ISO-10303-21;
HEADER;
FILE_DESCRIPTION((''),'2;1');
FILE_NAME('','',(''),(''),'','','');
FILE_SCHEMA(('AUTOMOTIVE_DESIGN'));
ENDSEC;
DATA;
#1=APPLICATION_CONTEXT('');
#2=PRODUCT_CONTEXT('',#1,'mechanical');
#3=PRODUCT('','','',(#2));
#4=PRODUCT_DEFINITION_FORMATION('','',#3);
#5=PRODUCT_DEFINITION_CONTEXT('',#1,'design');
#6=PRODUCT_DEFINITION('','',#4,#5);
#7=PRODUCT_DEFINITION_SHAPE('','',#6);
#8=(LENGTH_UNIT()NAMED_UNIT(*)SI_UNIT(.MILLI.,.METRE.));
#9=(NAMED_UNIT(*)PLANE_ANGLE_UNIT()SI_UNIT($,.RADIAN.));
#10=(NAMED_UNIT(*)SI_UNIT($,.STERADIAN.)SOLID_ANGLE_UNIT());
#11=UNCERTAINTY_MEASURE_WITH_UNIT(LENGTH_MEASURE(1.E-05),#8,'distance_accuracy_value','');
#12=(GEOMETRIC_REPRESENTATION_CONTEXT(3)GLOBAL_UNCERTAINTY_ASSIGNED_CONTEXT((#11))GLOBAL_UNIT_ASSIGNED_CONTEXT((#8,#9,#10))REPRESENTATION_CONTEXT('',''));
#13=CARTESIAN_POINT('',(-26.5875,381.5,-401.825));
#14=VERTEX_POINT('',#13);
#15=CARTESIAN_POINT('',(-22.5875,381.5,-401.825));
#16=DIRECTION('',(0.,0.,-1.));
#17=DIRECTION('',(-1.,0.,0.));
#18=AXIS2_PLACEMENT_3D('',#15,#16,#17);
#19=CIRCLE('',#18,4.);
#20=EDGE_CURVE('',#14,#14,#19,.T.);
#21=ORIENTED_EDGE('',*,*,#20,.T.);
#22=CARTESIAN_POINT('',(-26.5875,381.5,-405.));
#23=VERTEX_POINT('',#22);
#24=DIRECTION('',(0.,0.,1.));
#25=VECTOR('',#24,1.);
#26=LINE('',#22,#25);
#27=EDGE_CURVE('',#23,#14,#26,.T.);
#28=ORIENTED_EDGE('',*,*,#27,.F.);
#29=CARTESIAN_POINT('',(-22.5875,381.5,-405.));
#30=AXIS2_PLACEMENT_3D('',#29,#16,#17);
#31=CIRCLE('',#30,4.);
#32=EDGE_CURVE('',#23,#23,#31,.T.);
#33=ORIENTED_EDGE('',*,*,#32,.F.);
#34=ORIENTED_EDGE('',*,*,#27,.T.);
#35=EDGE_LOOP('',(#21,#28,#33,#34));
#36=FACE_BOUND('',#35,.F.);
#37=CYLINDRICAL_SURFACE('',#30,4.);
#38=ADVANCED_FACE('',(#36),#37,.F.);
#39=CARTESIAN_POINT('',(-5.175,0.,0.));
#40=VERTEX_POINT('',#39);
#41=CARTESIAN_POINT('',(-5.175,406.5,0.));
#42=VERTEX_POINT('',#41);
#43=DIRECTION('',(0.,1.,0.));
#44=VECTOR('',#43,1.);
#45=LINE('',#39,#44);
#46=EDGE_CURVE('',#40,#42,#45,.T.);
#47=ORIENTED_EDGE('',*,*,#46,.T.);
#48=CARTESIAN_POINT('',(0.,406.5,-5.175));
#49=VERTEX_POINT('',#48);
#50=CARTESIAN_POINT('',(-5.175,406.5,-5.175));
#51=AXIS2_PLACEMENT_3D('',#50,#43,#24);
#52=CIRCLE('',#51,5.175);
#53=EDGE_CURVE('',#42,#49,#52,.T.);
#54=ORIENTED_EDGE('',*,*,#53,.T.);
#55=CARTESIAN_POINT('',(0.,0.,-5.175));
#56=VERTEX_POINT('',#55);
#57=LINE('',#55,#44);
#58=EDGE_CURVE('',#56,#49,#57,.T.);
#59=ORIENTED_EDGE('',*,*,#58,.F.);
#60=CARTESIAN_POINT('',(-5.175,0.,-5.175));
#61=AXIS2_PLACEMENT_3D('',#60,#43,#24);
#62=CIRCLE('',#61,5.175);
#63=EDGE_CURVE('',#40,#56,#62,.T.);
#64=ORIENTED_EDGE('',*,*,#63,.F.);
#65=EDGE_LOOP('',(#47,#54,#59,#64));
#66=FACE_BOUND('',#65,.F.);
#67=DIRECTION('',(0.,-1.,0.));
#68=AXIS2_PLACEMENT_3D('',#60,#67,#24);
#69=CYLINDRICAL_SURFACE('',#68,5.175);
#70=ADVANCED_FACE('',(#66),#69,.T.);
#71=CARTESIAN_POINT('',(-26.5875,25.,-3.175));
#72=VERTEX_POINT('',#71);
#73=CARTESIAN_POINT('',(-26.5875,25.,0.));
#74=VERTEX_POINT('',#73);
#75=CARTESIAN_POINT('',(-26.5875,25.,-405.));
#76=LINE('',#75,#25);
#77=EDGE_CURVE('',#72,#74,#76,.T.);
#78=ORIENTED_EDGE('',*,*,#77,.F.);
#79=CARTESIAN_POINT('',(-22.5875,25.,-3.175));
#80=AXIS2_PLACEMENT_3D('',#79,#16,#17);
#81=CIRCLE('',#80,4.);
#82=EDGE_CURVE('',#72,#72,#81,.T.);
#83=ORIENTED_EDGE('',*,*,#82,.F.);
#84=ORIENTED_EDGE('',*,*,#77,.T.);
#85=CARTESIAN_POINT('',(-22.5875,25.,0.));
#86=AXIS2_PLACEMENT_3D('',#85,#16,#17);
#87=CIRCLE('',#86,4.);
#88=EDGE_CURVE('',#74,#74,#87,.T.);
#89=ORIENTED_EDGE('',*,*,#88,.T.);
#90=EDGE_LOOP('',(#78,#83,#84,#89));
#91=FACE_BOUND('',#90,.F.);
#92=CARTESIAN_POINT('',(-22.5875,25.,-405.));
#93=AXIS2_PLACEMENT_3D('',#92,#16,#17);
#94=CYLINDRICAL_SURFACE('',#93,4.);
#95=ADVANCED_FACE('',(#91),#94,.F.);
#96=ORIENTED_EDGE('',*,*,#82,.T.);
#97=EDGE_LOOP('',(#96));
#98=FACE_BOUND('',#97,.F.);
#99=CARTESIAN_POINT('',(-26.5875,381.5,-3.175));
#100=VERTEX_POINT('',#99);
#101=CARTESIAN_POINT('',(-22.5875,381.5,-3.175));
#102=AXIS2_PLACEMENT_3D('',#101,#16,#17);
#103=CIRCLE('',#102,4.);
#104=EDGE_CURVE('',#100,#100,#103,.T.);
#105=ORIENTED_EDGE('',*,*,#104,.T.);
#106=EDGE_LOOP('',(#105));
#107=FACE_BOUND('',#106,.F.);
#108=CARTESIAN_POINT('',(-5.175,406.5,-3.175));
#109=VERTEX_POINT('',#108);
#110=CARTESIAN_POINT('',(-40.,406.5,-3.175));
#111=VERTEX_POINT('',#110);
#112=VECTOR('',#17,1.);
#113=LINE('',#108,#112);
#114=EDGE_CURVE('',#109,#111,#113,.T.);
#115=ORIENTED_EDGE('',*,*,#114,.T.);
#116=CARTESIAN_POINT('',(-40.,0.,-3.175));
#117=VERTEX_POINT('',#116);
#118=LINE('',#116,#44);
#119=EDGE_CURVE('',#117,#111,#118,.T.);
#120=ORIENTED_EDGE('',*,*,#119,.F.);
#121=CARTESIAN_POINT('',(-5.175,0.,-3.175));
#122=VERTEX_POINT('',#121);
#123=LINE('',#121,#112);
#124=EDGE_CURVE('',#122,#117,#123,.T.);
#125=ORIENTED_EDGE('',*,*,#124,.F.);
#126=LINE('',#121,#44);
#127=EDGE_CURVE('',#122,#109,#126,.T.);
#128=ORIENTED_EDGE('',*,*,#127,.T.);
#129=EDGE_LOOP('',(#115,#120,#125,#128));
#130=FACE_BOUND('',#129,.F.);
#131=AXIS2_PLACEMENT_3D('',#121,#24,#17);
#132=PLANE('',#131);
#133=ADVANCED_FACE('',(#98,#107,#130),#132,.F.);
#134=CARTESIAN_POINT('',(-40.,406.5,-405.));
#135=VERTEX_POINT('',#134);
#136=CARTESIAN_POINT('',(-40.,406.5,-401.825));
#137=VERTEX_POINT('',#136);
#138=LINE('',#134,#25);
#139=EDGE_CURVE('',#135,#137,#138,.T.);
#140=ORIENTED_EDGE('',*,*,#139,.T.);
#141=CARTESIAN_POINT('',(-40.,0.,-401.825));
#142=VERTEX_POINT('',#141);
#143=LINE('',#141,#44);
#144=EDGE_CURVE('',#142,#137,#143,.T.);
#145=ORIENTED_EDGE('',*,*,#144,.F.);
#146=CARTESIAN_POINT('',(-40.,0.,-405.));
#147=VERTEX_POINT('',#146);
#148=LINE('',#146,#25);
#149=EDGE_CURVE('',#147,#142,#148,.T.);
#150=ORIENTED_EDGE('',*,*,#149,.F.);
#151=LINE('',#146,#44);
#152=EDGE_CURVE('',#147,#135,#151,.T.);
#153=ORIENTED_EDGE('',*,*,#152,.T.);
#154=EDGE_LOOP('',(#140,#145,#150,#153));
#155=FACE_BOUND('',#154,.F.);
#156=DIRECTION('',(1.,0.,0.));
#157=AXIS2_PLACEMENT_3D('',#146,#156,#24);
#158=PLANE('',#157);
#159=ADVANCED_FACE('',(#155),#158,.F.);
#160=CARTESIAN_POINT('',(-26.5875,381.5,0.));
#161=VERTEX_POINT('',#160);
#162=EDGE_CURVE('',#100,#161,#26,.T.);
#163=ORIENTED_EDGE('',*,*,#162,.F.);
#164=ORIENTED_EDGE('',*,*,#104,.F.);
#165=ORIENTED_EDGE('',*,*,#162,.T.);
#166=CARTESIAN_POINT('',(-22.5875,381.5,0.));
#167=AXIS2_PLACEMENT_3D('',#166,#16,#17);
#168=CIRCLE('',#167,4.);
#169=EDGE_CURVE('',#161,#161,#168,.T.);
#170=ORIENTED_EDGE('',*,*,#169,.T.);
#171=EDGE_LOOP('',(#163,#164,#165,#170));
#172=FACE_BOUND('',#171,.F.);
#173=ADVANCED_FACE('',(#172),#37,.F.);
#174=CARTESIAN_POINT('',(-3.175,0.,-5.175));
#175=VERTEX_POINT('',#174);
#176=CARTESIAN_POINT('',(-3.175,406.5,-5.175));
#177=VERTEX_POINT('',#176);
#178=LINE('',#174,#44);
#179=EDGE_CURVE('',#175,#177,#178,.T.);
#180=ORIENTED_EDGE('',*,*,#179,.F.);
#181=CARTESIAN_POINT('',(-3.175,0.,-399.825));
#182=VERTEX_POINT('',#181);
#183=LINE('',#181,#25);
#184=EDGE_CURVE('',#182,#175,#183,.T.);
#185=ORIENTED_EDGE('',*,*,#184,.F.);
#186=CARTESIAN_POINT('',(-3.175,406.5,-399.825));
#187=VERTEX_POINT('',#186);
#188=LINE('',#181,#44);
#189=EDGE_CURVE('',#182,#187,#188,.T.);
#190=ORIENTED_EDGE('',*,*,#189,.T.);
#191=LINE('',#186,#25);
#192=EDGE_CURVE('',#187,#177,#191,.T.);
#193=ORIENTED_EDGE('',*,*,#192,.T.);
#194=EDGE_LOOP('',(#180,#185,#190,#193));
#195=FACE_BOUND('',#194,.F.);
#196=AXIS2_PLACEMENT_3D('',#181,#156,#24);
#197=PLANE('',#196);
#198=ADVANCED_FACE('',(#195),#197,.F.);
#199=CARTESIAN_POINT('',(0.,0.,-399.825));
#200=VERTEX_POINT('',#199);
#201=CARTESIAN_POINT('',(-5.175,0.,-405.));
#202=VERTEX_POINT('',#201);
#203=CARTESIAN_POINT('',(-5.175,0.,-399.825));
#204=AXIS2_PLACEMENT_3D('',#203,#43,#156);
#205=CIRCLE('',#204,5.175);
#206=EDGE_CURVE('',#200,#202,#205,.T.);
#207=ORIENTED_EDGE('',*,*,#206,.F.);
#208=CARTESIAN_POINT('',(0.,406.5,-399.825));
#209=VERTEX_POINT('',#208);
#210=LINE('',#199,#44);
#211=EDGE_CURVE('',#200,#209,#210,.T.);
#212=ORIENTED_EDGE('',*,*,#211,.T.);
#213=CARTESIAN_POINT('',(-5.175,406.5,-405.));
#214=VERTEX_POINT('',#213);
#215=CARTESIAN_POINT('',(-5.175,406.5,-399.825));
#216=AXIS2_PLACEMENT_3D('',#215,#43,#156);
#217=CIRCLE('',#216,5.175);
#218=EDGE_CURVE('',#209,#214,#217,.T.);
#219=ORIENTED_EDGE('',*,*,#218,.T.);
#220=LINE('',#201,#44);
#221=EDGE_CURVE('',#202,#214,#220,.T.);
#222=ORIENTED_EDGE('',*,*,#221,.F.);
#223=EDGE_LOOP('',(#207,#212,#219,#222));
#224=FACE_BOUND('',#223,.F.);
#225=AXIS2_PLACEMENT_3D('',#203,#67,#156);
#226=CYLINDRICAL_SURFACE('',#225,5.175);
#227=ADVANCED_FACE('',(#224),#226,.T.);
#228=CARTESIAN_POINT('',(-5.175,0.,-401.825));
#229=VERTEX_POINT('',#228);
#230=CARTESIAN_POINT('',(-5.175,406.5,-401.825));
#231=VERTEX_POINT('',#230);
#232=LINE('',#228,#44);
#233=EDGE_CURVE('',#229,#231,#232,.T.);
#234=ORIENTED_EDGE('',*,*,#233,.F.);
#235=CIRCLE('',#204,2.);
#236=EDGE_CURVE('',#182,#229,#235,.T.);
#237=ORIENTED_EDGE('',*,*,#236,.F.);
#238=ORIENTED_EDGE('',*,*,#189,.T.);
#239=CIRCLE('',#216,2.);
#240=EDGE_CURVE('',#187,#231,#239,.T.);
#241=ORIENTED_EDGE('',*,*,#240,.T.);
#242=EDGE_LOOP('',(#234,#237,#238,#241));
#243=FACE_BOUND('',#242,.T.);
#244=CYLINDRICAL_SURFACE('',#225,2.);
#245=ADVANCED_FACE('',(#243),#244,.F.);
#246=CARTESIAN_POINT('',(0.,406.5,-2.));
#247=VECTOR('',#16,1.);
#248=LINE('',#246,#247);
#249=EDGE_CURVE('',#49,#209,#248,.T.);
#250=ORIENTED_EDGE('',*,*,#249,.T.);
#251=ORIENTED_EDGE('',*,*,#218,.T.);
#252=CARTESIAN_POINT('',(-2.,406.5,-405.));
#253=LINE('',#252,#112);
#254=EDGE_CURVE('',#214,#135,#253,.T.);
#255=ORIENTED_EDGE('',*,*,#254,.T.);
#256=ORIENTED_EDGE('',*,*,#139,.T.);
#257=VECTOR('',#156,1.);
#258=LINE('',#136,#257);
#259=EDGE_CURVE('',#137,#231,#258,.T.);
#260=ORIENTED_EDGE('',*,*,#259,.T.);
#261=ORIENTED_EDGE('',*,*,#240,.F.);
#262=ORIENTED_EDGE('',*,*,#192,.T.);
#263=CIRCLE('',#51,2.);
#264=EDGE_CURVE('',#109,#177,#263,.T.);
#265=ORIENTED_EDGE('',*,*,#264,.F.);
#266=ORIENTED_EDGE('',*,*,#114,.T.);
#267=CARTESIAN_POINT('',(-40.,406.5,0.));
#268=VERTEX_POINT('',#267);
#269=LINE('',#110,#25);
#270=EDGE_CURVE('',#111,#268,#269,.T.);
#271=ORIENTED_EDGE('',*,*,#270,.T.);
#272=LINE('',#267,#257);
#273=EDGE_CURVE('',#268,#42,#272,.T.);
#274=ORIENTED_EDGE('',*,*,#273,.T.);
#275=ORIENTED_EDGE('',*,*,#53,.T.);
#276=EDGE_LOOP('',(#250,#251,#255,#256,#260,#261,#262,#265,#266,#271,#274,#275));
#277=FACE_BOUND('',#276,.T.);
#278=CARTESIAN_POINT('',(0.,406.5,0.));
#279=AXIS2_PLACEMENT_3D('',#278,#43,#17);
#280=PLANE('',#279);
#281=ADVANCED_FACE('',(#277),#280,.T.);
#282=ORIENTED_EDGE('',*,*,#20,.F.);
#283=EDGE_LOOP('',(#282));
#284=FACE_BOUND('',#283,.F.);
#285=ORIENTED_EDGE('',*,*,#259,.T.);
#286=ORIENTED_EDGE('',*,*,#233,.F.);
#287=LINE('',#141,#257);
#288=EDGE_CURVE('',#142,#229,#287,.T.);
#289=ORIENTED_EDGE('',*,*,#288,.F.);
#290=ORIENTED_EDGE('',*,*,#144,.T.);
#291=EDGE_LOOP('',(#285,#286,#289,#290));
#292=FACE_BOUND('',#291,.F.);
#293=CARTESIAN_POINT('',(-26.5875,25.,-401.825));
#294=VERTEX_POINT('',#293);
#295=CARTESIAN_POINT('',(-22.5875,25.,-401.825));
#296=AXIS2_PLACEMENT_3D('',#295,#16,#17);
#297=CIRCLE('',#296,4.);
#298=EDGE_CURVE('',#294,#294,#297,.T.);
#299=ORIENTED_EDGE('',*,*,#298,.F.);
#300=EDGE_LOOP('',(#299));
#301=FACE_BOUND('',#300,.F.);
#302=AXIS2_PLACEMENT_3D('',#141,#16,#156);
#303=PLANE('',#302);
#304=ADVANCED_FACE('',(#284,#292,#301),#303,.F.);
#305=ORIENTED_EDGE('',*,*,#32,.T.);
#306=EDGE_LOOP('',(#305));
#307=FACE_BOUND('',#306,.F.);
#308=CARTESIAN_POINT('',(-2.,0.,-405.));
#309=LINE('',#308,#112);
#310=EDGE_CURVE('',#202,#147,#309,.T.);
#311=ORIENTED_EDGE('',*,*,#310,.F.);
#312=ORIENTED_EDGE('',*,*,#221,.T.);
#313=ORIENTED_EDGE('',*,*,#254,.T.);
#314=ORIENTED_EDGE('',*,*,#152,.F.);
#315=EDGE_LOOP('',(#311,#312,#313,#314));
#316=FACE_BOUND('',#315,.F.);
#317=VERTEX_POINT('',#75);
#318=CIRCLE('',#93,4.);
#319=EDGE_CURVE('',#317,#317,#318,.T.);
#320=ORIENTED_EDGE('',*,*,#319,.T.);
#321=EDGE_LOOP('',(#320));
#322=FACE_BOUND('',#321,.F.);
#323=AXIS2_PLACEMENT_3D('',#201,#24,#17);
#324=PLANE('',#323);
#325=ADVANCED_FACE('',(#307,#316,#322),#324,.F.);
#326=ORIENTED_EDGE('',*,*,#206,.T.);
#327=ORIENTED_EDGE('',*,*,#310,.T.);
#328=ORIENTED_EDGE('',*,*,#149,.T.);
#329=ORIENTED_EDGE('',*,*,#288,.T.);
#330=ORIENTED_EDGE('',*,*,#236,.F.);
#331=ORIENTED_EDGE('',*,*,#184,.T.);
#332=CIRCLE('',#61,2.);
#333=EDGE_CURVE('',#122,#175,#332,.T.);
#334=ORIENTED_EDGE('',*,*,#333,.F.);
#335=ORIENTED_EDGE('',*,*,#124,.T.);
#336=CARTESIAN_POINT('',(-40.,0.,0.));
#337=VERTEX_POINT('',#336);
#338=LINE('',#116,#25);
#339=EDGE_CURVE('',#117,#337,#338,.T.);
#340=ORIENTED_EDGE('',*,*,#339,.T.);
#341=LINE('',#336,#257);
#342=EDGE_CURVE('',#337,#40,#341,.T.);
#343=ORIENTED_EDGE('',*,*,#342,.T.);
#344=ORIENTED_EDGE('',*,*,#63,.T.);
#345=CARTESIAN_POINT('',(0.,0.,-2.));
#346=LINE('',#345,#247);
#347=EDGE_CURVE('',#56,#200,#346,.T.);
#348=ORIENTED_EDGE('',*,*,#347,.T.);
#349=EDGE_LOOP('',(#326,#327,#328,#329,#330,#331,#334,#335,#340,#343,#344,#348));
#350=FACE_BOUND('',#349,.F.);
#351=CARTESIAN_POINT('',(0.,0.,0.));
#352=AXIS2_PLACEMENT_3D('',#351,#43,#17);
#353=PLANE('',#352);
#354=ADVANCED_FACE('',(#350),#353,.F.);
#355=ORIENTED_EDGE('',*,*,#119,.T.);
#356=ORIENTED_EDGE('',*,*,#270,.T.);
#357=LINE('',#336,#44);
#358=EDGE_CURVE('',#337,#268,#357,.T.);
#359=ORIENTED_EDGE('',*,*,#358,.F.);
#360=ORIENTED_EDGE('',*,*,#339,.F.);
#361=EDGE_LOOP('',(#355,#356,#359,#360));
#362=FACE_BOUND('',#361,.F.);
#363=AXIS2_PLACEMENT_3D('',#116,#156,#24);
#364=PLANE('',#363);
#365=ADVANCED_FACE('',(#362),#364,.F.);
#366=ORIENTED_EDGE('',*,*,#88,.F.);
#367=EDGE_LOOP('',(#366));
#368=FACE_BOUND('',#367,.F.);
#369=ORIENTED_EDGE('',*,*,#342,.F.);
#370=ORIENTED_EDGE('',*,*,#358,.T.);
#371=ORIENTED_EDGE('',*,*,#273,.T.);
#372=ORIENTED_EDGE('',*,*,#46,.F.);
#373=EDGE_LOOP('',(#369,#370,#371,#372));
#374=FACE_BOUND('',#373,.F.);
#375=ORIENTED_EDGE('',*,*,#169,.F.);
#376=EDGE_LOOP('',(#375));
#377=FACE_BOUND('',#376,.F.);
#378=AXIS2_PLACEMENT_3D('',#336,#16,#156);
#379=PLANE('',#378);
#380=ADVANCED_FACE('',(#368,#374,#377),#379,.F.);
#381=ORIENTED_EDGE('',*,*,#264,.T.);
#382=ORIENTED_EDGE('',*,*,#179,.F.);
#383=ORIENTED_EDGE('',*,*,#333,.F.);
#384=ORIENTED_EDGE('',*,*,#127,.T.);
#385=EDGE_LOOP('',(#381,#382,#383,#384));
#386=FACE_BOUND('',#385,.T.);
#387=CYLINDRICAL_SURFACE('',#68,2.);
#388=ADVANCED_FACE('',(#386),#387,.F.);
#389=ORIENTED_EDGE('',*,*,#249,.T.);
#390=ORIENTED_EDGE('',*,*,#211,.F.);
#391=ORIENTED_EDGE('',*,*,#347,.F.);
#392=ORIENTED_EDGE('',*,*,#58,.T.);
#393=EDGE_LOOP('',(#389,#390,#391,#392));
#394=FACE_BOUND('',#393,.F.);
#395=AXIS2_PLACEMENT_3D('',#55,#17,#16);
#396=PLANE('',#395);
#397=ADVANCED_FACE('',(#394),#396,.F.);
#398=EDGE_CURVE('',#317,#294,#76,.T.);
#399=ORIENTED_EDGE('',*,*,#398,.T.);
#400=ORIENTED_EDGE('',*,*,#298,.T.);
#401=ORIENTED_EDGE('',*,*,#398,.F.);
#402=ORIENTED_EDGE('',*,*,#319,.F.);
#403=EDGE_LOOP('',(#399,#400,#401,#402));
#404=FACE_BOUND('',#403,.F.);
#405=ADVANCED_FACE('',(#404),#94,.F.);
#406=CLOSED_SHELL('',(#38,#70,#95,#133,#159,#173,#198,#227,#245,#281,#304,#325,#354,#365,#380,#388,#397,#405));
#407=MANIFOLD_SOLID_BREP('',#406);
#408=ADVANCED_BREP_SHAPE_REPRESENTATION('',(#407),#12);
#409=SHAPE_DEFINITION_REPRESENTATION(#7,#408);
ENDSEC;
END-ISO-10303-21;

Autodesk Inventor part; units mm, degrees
ref_plane "YZ Plane" through (0, 0, 0) normal (1, 0, 0) x (0, 1, 0)
ref_plane "XZ Plane" through (0, 0, 0) normal (0, 1, 0) x (-1, 0, 0)
ref_plane "XY Plane" through (0, 0, 0) normal (0, 0, 1) x (1, 0, 0)
sketch "Sketch1" plane through (0, 0, 0) normal (0, 1, 0) x (-1, 0, 0)
  line L0 (0, -2) -> (0, -403)
  line L1 (2, -405) -> (40, -405)
  line L2 (40, -405) -> (40, -401.825)
  line L3 (40, -401.825) -> (5.175, -401.825)
  line L4 (3.175, -399.825) -> (3.175, -5.175)
  line L5 (5.175, -3.175) -> (40, -3.175)
  line L6 (40, -3.175) -> (40, 0)
  line L7 (40, 0) -> (2, 0)
  arc A0 (5.175, -3.175) -> (3.175, -5.175) centre (5.175, -5.175) ccw
  arc A1 (3.175, -399.825) -> (5.175, -401.825) centre (5.175, -399.825) ccw
  arc A2 (0, -403) -> (2, -405) centre (2, -403) ccw
  arc A3 (5.175, 0) -> (0, -5.175) centre (5.175, -5.175) ccw
  arc A4 (0, -399.825) -> (5.175, -405) centre (5.175, -399.825) ccw
  point P0 (0, 0)
  point P1 (0, -405)
  dimension "d0" = 405
  dimension "d1" = 40
  dimension "d2" = 3.175
  dimension "d3" = 3.175
  dimension "d4" = 3.175
  dimension "d5" = 40
  dimension "d6" = 2
extrude "Extrusion1" add sketch "Sketch1" along normal blind 406.5 contours A3 L7 L6 L5 A0 L4 A1 L3 L2 L1 A4 L0
sketch "Sketch2" plane through (-2, 0, -405) normal (0, 0, -1) x (-1, 0, 0)
  circle A0 centre (20.5875, 25) radius 4
  circle A1 centre (20.5875, 381.5) radius 4
  line L0 (3.175, 406.5) -> (38, 406.5) projected
  line L1 (3.175, 0) -> (38, 0) projected
  line L2 (38, 0) -> (38, 406.5) projected
  line L3 (3.175, 0) -> (3.175, 406.5) projected
  point P0 (-2, 0)
  point P1 (0, 406.5)
  point P2 (20.5875, 406.5)
  point P3 (0, 0)
  point P4 (20.5875, 406.5)
  point P5 (20.5875, 0)
  dimension "d9" = 8
  dimension "d10" = 8
  dimension "d11" = 25
  dimension "d12" = 25
  dimension "d19" = 0
  dimension "d20" = 0
extrude "Extrusion2" cut sketch "Sketch2" against normal blind 451.5 contours A0 | A1
equation "\"BendRadius\" = Thickness"
equation "\"BendReliefWidth\" = Thickness"
equation "\"BendReliefDepth\" = 0.5 * Thickness"
equation "\"CornerReliefSize\" = 4 * Thickness"
equation "\"MinimumRemnant\" = 2 * Thickness"
equation "\"TransitionRadius\" = BendRadius"
equation "\"JacobiRadiusSize\" = BendRadius"
equation "\"GapSize\" = Thickness"
equation "\"Thickness\" = 3.048"
properties part number "fire wall"
